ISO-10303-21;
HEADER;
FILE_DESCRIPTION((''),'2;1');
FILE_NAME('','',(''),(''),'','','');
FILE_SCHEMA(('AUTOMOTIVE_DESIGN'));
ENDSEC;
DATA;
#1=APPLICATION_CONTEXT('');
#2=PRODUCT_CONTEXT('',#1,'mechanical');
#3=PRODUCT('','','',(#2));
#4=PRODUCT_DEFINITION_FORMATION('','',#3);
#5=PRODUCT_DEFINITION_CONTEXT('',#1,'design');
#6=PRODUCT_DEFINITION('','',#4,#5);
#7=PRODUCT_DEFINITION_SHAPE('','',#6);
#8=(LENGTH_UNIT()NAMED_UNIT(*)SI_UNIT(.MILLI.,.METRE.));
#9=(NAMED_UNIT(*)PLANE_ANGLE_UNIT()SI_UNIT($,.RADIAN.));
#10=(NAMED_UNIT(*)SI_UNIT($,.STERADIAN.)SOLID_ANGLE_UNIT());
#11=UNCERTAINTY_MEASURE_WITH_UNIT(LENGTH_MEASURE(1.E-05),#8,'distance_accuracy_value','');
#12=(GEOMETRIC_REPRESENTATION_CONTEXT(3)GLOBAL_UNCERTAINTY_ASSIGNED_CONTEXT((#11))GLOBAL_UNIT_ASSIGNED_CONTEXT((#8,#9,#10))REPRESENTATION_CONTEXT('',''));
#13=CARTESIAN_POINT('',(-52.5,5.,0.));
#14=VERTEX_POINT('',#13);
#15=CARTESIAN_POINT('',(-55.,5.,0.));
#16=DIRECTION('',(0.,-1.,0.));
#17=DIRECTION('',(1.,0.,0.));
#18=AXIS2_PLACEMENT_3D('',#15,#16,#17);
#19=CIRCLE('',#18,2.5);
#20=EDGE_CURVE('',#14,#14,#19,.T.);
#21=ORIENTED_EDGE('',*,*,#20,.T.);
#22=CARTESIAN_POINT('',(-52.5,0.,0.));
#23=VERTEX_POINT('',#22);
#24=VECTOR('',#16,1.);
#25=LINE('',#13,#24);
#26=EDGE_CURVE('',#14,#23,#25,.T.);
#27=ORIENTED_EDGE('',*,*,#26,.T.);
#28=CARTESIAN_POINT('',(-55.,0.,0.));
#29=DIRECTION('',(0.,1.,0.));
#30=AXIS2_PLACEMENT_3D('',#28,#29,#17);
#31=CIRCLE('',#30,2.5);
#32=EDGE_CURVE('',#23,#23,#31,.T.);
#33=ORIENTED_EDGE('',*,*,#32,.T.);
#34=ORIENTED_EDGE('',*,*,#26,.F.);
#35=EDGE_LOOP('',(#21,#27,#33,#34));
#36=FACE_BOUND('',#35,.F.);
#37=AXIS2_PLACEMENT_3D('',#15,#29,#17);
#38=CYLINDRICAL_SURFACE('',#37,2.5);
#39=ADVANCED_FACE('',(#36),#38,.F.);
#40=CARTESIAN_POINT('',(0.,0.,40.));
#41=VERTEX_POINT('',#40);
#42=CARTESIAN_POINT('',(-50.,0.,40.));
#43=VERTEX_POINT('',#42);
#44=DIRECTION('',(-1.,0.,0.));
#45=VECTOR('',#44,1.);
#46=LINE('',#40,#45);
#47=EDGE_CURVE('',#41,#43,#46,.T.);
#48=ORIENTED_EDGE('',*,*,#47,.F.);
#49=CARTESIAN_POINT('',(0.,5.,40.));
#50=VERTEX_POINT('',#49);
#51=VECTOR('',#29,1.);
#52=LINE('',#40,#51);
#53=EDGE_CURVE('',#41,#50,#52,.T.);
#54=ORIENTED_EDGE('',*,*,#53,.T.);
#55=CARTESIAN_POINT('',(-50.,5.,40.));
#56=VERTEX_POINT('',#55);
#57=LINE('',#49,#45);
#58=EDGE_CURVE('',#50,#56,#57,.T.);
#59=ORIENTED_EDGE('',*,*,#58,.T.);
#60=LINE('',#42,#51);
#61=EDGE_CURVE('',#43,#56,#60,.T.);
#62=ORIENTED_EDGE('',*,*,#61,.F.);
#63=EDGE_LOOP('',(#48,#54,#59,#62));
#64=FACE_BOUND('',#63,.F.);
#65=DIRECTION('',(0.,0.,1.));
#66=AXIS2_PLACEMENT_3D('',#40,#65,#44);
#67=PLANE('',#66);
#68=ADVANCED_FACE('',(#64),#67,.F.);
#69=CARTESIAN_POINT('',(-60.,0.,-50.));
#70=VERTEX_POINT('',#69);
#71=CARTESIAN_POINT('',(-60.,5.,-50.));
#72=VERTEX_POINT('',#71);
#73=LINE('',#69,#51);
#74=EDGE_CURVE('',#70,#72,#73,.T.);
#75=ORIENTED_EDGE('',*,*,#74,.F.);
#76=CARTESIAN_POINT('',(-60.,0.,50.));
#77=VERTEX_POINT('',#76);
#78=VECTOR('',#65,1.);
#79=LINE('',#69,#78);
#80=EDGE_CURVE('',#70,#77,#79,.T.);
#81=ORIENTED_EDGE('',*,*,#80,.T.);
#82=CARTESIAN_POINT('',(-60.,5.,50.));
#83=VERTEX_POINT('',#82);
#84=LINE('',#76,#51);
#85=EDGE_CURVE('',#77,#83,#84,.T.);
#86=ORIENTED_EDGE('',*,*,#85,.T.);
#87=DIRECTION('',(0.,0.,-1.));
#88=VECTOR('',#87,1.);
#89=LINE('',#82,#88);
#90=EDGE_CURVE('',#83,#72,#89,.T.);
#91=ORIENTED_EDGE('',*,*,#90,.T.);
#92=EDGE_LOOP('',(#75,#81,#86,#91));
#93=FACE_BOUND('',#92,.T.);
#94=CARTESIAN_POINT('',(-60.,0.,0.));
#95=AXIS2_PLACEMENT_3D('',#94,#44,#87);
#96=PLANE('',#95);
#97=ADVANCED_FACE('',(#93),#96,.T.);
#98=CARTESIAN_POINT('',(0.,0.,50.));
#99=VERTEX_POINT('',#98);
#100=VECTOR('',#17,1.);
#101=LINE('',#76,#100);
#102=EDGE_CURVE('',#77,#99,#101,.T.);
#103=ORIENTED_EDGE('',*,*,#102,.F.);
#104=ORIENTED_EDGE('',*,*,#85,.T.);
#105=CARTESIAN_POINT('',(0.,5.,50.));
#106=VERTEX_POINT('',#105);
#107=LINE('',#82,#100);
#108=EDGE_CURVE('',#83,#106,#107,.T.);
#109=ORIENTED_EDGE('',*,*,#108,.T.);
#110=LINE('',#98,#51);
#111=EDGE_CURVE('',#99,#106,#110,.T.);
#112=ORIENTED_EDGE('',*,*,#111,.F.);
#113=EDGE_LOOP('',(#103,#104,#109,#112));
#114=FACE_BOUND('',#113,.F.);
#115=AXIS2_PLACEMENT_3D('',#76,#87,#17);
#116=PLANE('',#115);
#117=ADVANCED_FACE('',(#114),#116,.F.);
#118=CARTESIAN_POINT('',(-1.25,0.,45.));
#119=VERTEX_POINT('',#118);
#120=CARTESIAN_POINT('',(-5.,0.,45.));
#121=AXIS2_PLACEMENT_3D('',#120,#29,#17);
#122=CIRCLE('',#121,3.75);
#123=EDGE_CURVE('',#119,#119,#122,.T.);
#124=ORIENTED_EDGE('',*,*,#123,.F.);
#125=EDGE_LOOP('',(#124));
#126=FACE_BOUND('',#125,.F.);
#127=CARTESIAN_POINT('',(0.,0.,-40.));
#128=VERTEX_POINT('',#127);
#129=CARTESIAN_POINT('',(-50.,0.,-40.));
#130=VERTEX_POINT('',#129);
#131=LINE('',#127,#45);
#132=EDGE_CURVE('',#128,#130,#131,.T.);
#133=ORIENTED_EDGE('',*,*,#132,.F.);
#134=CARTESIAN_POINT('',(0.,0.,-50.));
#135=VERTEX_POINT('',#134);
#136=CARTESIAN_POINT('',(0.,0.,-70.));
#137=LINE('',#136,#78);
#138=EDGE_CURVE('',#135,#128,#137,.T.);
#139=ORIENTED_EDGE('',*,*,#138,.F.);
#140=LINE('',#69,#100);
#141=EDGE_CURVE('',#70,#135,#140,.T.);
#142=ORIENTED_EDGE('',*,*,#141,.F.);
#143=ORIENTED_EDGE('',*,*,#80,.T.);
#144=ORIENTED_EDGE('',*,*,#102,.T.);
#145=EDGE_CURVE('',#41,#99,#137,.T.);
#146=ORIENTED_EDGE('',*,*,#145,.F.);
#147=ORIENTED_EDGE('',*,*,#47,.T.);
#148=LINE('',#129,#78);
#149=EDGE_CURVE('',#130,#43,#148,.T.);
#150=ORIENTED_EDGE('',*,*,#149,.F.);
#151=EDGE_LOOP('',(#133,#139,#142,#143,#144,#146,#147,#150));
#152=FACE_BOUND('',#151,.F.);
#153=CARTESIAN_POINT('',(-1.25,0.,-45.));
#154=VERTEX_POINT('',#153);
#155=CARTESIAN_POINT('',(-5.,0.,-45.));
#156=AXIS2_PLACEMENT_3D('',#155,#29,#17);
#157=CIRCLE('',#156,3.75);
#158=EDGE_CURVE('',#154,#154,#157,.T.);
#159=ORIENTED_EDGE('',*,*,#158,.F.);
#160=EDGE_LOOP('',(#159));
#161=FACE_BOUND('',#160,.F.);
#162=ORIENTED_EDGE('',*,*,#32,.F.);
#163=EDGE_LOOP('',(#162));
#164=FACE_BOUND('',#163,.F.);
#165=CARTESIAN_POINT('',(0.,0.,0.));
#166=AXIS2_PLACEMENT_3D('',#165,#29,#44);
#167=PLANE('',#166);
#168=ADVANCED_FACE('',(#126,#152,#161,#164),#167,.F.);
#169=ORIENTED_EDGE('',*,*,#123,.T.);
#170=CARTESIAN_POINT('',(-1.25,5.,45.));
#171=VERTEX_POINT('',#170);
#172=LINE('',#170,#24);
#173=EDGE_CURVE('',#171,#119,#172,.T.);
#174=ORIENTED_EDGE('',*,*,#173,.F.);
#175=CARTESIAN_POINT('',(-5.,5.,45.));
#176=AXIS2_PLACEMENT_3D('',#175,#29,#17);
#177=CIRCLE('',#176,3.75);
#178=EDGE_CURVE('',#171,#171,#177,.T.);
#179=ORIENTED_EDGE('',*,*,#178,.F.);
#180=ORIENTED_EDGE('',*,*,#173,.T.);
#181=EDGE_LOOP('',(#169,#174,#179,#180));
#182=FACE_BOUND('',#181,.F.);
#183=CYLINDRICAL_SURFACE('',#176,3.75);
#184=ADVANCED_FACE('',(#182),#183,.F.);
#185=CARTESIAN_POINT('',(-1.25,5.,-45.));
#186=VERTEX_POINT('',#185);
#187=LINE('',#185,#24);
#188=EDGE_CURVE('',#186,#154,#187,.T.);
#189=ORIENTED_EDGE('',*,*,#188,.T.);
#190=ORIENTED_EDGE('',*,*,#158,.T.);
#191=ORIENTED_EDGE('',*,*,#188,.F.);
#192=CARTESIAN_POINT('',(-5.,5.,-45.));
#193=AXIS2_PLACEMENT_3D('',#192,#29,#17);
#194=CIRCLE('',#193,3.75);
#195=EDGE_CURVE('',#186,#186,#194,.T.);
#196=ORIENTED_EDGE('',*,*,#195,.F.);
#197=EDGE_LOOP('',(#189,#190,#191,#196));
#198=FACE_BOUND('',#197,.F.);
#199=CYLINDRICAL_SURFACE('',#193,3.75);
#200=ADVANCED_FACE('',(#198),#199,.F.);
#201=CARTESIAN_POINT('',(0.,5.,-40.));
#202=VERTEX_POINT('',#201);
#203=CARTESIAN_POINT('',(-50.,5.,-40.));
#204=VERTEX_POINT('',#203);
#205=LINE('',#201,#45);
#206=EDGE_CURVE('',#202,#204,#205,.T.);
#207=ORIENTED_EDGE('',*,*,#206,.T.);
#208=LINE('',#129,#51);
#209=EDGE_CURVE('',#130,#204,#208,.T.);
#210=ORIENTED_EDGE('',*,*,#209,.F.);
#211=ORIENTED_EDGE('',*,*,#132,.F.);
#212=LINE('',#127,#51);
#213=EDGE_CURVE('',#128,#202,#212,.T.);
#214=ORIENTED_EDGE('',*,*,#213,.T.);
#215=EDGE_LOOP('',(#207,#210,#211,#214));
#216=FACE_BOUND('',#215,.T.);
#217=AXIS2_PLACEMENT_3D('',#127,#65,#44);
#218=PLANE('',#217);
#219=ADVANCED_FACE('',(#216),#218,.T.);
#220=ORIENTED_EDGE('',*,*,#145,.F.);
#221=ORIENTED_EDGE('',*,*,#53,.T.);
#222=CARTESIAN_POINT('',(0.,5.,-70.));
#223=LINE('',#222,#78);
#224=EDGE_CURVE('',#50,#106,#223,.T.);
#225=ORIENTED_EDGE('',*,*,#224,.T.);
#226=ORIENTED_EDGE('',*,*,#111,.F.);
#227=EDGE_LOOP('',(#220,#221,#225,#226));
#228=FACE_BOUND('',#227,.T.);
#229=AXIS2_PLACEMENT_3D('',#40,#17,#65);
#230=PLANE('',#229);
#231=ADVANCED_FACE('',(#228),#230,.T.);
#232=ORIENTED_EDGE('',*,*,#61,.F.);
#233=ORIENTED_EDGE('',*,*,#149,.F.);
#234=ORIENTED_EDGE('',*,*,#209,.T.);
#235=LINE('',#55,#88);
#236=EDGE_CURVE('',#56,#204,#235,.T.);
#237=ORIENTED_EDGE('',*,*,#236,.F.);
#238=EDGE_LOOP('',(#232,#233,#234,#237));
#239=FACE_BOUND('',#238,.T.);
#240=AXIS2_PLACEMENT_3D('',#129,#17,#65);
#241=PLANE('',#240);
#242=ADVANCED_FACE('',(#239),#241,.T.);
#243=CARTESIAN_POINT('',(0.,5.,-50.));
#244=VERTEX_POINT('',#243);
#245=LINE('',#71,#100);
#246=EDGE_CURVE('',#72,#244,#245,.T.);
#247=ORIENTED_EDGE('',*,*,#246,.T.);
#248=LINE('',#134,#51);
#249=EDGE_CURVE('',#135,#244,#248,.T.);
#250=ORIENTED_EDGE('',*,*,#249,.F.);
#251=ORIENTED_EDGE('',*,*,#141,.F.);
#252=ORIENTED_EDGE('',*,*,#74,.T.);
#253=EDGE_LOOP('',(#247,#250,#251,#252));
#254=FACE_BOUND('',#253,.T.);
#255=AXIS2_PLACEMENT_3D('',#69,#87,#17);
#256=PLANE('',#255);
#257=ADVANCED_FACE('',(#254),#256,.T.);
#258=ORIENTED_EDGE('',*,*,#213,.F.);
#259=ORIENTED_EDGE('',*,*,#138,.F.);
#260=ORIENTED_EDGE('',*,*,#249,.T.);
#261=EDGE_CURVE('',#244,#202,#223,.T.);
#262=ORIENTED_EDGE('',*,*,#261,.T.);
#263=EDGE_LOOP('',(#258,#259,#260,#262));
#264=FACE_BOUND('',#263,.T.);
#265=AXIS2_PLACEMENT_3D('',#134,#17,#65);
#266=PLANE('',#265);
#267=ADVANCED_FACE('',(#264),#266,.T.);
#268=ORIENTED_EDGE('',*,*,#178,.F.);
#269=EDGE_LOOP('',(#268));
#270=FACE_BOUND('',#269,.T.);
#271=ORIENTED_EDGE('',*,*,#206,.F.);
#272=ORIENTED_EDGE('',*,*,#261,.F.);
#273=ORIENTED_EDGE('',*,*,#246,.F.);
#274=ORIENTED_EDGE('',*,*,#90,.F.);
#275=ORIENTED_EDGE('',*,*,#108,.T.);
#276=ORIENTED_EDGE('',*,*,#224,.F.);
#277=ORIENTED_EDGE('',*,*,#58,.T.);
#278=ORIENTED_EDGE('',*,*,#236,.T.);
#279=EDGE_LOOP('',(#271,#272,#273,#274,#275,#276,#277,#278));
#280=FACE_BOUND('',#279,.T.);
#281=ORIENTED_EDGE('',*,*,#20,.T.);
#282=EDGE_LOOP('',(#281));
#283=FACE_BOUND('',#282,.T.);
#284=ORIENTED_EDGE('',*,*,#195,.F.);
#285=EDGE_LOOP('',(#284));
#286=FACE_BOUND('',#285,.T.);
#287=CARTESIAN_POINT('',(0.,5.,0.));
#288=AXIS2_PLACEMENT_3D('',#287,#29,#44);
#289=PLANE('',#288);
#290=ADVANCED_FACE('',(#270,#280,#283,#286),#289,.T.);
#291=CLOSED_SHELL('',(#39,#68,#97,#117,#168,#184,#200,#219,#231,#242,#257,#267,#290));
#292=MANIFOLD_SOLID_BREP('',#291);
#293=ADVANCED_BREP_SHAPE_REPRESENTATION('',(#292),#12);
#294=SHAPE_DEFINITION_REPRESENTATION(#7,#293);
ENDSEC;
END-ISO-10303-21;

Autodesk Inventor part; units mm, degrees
ref_plane "YZ Plane" through (0, 0, 0) normal (1, 0, 0) x (0, 1, 0)
ref_plane "XZ Plane" through (0, 0, 0) normal (0, 1, 0) x (-1, 0, 0)
ref_plane "XY Plane" through (0, 0, 0) normal (0, 0, 1) x (1, 0, 0)
sketch "スケッチ1" plane through (0, 0, 0) normal (0, 1, 0) x (-1, 0, 0)
  line L0 (72, 0) -> (-12, 0) projected
  line L1 (0, -70) -> (0, 70) projected
  line L2 (60, 0) -> (60, -50)
  line L3 (60, -50) -> (0, -50)
  line L4 (0, -40) -> (50, -40)
  line L5 (50, -40) -> (50, 0)
  line L6 (60, 0) -> (60, 50)
  line L7 (60, 50) -> (0, 50)
  line L8 (0, 40) -> (50, 40)
  line L9 (50, 40) -> (50, 0)
  line L10 (0, 50) -> (0, 40)
  line L11 (0, -40) -> (0, -50)
  point P0 (0, 0)
  dimension "d0" = 10
  dimension "d1" = 50
  dimension "d2" = 50
  dimension "d4" = 10
  dimension "d5" = 50
extrude "押し出し1" add sketch "スケッチ1" along normal blind 5 contours L2 L3 L1 L4 L5 L0 | L0 L9 L8 L1 L7 L6
sketch "スケッチ2" plane through (0, 5, 0) normal (0, 1, 0) x (1, 0, 0)
  circle A0 centre (-5, -45) radius 3.75
  line L0 (0, -50) -> (0, -40) projected
  line L1 (-60, -50) -> (0, -50) projected
  line L2 (-72, 0) -> (12, 0) projected
  circle A1 centre (-5, 45) radius 3.75
  circle A2 centre (-55, 0) radius 2.5
  line L3 (-50, -40) -> (-50, 40) projected
  point P0 (0, 0)
  dimension "d8" = 7.5
  dimension "d9" = 5
  dimension "d10" = 5
  dimension "d11" = 5
  dimension "d12" = 5
extrude "押し出し2" cut sketch "スケッチ2" against normal blind 5
properties part number "bogie" material "アルミニウム 6061"
